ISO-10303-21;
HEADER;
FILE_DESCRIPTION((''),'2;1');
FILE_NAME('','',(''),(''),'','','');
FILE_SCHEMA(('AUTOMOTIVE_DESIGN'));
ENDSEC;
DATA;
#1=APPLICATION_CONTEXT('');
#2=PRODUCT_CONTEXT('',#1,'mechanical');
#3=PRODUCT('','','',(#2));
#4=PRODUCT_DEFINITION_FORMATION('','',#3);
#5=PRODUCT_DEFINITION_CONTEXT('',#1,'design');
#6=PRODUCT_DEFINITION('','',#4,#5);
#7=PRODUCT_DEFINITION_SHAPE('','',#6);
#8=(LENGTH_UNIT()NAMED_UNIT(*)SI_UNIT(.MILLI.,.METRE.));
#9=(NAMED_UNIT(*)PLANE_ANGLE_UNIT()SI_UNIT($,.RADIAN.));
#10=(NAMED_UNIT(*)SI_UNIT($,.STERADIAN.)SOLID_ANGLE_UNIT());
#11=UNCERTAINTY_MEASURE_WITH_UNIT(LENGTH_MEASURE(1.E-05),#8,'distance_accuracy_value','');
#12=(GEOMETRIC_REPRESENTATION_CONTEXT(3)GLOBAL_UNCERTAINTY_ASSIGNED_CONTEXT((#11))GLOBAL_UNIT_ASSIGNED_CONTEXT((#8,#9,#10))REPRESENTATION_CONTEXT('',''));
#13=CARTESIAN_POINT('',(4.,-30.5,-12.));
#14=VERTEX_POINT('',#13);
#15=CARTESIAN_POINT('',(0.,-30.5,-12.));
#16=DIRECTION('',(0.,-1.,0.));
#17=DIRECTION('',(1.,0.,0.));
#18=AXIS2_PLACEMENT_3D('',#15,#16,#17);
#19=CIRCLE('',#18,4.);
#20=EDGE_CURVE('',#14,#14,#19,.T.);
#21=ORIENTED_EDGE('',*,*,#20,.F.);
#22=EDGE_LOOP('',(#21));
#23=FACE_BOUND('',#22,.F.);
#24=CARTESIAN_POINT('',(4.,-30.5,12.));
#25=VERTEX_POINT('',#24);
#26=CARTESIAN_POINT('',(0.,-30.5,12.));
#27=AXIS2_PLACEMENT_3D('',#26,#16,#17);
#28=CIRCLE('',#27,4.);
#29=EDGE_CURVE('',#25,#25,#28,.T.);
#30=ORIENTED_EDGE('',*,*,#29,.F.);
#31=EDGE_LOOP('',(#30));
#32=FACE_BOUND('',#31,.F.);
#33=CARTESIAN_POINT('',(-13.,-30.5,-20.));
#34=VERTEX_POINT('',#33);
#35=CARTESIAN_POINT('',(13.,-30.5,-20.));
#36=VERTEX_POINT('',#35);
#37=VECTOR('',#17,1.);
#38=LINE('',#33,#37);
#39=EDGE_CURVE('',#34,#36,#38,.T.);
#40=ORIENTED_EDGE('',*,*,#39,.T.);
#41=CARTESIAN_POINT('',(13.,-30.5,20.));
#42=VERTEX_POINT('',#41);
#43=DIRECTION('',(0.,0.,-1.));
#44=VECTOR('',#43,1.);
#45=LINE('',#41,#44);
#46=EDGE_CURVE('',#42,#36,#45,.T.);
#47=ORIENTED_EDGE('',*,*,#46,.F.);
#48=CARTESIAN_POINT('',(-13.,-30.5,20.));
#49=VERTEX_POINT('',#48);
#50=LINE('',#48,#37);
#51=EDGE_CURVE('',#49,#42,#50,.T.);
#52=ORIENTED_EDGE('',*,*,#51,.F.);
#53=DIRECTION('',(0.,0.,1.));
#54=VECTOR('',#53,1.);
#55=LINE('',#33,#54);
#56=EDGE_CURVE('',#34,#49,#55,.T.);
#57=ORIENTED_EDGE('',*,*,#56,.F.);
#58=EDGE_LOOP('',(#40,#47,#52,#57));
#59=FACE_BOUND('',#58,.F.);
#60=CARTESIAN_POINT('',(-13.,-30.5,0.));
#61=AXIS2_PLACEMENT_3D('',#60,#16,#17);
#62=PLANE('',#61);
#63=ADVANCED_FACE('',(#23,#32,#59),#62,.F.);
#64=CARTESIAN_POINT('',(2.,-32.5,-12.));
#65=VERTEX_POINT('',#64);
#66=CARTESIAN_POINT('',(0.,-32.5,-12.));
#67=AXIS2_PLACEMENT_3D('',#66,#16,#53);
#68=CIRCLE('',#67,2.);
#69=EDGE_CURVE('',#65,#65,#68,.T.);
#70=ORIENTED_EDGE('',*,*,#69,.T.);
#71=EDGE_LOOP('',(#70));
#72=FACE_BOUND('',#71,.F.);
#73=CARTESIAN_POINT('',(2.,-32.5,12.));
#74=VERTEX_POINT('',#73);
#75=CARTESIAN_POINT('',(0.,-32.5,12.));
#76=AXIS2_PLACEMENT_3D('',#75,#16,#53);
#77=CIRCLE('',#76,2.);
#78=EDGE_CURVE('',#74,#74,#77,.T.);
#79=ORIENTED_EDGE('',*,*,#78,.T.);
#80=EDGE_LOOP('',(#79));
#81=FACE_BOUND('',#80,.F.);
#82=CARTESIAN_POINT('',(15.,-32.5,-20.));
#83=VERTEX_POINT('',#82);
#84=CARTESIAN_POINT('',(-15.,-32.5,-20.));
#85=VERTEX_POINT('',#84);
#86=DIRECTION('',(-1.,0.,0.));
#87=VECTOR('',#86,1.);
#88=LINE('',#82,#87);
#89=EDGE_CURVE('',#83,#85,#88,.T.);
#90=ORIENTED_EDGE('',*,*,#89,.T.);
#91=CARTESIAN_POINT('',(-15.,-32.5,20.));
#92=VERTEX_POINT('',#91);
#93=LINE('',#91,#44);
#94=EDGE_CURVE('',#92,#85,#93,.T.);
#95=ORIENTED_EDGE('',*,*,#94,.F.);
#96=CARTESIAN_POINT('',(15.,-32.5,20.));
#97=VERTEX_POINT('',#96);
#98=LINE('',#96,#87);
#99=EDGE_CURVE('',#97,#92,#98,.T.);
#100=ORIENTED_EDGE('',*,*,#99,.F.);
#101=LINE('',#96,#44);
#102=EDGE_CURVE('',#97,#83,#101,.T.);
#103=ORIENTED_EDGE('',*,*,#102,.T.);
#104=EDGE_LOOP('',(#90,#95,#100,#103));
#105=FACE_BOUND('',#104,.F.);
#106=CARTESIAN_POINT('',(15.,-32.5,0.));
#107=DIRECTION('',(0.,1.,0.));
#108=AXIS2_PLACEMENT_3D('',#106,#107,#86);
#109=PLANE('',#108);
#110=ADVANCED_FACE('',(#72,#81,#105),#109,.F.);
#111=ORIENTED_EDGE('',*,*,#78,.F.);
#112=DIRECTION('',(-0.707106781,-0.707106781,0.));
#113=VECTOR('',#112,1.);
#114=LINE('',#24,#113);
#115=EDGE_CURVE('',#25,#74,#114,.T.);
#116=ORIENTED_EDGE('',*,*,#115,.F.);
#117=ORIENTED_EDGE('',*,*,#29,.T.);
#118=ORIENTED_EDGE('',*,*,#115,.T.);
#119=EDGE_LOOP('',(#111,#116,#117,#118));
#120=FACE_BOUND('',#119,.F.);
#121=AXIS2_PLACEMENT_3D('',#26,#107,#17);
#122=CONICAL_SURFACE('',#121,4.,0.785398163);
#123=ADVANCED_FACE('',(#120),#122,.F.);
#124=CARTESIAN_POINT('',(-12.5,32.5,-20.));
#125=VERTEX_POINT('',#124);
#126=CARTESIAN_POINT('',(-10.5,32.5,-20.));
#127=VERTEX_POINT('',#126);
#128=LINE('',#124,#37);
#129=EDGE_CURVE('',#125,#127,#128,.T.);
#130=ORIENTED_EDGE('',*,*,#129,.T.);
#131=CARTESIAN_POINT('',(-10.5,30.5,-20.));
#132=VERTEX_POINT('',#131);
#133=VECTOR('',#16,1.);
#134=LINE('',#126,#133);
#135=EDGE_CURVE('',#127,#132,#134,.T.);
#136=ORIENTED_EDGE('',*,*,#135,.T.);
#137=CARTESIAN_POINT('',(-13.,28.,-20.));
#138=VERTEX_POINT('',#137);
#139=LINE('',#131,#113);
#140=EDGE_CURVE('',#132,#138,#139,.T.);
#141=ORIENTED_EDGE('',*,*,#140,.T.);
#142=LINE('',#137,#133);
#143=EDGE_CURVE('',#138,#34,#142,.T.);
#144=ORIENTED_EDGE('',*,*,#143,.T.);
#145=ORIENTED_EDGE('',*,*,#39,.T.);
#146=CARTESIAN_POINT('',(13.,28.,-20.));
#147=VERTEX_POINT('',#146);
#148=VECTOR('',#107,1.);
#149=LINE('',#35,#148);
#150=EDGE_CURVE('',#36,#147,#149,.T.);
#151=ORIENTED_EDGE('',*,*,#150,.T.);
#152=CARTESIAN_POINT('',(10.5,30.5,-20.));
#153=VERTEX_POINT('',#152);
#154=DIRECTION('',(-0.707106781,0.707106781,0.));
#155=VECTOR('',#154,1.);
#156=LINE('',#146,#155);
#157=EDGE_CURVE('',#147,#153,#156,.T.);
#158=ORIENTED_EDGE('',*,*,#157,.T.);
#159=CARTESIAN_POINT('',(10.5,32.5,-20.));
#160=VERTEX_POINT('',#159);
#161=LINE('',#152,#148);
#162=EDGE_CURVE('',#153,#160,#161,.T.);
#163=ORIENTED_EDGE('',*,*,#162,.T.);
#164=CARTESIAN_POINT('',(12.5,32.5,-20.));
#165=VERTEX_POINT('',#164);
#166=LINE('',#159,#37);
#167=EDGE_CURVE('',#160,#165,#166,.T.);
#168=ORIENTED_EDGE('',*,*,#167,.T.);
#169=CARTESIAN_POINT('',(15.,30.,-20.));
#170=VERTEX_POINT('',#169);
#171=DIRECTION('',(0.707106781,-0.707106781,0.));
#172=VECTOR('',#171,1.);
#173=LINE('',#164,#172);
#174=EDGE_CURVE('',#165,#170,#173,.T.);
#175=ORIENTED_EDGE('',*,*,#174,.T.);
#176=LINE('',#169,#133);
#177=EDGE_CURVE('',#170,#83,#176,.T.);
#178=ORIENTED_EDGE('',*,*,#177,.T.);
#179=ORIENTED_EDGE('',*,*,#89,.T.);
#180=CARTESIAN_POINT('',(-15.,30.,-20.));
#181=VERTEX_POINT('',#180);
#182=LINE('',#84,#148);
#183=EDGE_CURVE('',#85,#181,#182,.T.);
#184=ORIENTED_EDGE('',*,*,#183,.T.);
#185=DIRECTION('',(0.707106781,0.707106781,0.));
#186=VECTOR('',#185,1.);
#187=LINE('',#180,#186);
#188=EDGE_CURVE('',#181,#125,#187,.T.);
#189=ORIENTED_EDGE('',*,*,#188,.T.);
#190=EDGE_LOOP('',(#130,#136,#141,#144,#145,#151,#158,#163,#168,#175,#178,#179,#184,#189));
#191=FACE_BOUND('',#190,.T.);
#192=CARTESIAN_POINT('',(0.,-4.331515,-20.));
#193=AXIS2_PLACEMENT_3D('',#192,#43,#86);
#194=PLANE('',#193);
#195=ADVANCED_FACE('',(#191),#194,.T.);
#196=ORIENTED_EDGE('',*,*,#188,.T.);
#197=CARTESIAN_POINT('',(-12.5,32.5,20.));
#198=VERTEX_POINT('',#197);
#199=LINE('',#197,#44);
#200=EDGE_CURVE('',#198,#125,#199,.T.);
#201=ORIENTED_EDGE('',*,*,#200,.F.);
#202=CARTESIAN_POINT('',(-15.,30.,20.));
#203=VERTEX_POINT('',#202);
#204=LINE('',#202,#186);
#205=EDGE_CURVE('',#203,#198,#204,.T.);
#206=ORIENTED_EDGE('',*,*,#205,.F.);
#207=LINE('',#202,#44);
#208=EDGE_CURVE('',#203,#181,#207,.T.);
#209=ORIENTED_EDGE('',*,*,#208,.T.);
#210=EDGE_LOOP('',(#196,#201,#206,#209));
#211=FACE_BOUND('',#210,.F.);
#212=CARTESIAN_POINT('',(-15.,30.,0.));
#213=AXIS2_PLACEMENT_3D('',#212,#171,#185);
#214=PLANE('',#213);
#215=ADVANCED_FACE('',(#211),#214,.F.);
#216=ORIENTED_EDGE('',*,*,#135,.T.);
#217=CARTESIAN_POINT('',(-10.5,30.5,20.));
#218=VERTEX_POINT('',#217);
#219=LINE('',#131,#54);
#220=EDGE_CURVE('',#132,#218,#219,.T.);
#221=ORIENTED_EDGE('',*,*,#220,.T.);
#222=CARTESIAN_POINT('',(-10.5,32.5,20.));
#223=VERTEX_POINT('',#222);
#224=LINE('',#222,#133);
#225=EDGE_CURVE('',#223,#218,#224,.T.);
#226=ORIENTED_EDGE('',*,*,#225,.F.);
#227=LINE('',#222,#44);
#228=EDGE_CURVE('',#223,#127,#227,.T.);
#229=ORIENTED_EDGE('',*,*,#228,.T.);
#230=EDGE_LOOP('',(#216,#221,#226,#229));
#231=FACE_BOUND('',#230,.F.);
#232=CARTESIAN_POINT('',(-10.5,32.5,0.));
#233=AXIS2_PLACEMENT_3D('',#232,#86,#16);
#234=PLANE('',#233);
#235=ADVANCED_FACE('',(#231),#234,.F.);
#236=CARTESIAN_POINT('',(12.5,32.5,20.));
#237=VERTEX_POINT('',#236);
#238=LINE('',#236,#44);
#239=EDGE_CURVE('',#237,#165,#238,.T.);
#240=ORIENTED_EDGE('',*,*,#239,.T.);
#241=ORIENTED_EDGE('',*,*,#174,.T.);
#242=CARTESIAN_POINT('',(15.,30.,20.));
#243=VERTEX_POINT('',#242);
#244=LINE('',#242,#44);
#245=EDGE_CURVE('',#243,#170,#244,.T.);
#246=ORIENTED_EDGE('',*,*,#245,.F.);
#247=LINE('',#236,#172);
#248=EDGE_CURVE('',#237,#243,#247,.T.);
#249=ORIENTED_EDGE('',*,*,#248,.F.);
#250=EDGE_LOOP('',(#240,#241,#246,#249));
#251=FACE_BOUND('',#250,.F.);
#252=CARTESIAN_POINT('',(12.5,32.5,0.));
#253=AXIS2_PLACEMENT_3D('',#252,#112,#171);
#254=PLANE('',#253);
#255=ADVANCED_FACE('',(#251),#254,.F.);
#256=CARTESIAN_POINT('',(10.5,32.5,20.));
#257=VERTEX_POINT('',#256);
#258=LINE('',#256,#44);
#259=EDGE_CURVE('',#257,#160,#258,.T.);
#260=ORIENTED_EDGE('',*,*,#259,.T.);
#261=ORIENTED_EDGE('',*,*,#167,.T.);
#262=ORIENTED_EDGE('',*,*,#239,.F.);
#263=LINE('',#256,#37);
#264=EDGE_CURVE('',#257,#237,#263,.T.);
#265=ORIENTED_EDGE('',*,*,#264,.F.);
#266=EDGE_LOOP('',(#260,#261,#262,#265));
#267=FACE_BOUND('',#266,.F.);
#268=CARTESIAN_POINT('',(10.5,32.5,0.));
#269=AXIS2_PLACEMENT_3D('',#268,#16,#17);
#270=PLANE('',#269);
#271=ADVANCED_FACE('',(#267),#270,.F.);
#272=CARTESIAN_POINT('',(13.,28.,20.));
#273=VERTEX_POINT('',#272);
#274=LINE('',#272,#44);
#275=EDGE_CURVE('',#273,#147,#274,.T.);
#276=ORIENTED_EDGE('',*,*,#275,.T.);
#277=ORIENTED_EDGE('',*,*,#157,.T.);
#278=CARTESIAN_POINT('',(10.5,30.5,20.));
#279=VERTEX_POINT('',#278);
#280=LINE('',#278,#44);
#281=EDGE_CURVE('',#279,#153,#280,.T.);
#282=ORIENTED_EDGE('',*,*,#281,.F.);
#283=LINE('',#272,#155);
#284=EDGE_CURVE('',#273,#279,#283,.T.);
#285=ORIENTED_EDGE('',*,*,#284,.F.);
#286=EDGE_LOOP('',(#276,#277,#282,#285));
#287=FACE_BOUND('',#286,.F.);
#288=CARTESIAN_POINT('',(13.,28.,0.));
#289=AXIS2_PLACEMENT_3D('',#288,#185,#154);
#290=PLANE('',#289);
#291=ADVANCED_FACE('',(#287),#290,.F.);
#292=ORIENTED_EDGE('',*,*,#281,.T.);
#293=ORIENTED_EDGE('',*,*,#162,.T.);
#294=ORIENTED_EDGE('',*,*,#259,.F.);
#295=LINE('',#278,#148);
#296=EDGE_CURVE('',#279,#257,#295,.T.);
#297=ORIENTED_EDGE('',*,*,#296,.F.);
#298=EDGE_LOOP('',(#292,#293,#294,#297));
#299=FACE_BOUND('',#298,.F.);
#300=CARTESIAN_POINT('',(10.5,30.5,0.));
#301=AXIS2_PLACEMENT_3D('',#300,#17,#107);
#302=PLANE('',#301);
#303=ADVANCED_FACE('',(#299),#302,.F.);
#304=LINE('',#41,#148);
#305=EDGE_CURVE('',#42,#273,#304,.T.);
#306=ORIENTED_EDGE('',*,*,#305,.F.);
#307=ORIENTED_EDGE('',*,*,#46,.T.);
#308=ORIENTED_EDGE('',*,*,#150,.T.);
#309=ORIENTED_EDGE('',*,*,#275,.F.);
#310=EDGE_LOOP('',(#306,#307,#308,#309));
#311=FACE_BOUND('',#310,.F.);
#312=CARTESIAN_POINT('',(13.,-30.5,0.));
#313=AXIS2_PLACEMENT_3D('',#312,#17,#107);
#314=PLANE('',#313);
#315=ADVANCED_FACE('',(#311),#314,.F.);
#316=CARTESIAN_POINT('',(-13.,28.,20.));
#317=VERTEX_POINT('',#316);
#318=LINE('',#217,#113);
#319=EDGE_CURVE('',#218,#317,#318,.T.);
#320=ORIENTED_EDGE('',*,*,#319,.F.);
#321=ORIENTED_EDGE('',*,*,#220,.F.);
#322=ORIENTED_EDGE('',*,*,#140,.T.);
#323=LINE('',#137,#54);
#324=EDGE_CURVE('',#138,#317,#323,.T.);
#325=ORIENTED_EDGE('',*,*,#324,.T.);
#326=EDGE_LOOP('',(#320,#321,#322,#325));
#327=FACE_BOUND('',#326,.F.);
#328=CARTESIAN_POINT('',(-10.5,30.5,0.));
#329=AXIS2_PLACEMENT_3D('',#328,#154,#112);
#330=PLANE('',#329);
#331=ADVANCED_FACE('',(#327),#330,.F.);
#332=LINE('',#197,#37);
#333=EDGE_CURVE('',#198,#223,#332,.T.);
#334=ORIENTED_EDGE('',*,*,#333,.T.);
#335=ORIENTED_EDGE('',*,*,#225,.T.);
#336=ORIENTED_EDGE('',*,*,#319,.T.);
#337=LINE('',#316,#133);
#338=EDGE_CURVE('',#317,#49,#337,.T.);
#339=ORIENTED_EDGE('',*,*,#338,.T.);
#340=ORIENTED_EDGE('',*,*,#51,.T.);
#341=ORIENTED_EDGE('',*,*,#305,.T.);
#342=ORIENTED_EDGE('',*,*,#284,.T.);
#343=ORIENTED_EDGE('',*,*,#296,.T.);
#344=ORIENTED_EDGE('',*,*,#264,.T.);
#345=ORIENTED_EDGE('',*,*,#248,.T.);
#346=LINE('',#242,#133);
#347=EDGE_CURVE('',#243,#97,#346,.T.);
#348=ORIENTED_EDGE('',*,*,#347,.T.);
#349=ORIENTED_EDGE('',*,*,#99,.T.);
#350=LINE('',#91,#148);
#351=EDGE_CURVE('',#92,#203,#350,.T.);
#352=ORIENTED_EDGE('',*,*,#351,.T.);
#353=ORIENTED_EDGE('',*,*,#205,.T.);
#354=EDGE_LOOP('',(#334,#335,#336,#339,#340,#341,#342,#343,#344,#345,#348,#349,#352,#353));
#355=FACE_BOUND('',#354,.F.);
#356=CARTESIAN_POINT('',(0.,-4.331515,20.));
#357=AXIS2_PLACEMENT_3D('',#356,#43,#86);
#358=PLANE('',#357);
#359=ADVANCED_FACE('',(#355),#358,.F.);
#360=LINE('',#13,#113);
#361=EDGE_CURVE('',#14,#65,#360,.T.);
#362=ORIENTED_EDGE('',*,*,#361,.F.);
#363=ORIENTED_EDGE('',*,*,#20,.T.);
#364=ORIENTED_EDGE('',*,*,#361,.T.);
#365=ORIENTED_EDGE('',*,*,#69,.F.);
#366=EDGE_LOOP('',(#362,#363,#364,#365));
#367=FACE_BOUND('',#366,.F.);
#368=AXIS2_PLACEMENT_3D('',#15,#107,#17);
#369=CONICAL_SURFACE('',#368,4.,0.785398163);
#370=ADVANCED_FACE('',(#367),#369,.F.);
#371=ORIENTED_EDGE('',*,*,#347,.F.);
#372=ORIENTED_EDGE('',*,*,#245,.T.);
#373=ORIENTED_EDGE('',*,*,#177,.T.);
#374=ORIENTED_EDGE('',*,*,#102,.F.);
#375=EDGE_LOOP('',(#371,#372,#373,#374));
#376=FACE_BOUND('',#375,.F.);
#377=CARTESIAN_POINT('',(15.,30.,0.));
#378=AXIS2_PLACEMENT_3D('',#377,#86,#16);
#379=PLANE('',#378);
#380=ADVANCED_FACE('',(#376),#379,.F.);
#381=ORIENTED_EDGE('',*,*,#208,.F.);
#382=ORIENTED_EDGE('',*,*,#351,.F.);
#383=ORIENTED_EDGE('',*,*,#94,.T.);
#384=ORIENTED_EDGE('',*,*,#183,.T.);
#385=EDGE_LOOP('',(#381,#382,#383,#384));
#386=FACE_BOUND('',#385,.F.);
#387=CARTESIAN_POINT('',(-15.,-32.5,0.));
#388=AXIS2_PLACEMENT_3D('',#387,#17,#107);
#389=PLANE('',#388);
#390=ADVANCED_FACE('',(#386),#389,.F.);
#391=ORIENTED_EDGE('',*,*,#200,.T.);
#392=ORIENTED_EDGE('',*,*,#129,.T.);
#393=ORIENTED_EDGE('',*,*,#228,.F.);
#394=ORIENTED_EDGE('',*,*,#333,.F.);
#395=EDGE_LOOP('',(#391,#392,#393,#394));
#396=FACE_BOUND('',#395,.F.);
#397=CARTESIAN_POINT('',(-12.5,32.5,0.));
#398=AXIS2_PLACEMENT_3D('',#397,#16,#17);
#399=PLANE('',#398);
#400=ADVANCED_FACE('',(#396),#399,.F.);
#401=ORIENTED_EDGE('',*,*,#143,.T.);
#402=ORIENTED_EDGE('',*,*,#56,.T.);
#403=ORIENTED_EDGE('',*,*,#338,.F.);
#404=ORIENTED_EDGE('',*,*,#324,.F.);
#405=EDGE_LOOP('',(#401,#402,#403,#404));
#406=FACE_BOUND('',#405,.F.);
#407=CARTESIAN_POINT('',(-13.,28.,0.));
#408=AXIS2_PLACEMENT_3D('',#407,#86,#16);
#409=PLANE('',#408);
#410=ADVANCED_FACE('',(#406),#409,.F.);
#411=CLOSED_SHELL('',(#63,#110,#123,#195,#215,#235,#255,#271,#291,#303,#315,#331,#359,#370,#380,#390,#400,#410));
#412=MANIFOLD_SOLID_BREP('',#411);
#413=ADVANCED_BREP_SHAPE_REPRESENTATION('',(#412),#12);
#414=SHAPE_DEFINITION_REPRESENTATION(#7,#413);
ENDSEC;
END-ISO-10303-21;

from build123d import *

# Parameters (mm, degrees)
PAD_DEPTH        = 20
HOLE_D           = 4
HOLE_DEPTH       = 25
HOLE_CSINK_D     = 8
HOLE_CSINK_ANGLE = 90


with BuildPart() as part:
    # Sketch → Pad (new body, symmetric)
    with BuildSketch(Plane.XY):
        Polygon((-13, -30.5), (13, -30.5), (13, 28), (10.5, 30.5), (10.5, 32.5), (12.5, 32.5), (15, 30), (15, -32.5), (-15, -32.5), (-15, 30), (-12.5, 32.5), (-10.5, 32.5), (-10.5, 30.5), (-13, 28), align=None)
    extrude(amount=PAD_DEPTH, both=True)

    # Hole
    with Locations(Plane(origin=(0, -30.5, 0), x_dir=(-1, 0, 0), z_dir=(0, 1, 0))):
        with Locations((0, 12), (0, -12)):
            CounterSinkHole(HOLE_D / 2, HOLE_CSINK_D / 2, depth=HOLE_DEPTH, counter_sink_angle=HOLE_CSINK_ANGLE)


solid = part.part
